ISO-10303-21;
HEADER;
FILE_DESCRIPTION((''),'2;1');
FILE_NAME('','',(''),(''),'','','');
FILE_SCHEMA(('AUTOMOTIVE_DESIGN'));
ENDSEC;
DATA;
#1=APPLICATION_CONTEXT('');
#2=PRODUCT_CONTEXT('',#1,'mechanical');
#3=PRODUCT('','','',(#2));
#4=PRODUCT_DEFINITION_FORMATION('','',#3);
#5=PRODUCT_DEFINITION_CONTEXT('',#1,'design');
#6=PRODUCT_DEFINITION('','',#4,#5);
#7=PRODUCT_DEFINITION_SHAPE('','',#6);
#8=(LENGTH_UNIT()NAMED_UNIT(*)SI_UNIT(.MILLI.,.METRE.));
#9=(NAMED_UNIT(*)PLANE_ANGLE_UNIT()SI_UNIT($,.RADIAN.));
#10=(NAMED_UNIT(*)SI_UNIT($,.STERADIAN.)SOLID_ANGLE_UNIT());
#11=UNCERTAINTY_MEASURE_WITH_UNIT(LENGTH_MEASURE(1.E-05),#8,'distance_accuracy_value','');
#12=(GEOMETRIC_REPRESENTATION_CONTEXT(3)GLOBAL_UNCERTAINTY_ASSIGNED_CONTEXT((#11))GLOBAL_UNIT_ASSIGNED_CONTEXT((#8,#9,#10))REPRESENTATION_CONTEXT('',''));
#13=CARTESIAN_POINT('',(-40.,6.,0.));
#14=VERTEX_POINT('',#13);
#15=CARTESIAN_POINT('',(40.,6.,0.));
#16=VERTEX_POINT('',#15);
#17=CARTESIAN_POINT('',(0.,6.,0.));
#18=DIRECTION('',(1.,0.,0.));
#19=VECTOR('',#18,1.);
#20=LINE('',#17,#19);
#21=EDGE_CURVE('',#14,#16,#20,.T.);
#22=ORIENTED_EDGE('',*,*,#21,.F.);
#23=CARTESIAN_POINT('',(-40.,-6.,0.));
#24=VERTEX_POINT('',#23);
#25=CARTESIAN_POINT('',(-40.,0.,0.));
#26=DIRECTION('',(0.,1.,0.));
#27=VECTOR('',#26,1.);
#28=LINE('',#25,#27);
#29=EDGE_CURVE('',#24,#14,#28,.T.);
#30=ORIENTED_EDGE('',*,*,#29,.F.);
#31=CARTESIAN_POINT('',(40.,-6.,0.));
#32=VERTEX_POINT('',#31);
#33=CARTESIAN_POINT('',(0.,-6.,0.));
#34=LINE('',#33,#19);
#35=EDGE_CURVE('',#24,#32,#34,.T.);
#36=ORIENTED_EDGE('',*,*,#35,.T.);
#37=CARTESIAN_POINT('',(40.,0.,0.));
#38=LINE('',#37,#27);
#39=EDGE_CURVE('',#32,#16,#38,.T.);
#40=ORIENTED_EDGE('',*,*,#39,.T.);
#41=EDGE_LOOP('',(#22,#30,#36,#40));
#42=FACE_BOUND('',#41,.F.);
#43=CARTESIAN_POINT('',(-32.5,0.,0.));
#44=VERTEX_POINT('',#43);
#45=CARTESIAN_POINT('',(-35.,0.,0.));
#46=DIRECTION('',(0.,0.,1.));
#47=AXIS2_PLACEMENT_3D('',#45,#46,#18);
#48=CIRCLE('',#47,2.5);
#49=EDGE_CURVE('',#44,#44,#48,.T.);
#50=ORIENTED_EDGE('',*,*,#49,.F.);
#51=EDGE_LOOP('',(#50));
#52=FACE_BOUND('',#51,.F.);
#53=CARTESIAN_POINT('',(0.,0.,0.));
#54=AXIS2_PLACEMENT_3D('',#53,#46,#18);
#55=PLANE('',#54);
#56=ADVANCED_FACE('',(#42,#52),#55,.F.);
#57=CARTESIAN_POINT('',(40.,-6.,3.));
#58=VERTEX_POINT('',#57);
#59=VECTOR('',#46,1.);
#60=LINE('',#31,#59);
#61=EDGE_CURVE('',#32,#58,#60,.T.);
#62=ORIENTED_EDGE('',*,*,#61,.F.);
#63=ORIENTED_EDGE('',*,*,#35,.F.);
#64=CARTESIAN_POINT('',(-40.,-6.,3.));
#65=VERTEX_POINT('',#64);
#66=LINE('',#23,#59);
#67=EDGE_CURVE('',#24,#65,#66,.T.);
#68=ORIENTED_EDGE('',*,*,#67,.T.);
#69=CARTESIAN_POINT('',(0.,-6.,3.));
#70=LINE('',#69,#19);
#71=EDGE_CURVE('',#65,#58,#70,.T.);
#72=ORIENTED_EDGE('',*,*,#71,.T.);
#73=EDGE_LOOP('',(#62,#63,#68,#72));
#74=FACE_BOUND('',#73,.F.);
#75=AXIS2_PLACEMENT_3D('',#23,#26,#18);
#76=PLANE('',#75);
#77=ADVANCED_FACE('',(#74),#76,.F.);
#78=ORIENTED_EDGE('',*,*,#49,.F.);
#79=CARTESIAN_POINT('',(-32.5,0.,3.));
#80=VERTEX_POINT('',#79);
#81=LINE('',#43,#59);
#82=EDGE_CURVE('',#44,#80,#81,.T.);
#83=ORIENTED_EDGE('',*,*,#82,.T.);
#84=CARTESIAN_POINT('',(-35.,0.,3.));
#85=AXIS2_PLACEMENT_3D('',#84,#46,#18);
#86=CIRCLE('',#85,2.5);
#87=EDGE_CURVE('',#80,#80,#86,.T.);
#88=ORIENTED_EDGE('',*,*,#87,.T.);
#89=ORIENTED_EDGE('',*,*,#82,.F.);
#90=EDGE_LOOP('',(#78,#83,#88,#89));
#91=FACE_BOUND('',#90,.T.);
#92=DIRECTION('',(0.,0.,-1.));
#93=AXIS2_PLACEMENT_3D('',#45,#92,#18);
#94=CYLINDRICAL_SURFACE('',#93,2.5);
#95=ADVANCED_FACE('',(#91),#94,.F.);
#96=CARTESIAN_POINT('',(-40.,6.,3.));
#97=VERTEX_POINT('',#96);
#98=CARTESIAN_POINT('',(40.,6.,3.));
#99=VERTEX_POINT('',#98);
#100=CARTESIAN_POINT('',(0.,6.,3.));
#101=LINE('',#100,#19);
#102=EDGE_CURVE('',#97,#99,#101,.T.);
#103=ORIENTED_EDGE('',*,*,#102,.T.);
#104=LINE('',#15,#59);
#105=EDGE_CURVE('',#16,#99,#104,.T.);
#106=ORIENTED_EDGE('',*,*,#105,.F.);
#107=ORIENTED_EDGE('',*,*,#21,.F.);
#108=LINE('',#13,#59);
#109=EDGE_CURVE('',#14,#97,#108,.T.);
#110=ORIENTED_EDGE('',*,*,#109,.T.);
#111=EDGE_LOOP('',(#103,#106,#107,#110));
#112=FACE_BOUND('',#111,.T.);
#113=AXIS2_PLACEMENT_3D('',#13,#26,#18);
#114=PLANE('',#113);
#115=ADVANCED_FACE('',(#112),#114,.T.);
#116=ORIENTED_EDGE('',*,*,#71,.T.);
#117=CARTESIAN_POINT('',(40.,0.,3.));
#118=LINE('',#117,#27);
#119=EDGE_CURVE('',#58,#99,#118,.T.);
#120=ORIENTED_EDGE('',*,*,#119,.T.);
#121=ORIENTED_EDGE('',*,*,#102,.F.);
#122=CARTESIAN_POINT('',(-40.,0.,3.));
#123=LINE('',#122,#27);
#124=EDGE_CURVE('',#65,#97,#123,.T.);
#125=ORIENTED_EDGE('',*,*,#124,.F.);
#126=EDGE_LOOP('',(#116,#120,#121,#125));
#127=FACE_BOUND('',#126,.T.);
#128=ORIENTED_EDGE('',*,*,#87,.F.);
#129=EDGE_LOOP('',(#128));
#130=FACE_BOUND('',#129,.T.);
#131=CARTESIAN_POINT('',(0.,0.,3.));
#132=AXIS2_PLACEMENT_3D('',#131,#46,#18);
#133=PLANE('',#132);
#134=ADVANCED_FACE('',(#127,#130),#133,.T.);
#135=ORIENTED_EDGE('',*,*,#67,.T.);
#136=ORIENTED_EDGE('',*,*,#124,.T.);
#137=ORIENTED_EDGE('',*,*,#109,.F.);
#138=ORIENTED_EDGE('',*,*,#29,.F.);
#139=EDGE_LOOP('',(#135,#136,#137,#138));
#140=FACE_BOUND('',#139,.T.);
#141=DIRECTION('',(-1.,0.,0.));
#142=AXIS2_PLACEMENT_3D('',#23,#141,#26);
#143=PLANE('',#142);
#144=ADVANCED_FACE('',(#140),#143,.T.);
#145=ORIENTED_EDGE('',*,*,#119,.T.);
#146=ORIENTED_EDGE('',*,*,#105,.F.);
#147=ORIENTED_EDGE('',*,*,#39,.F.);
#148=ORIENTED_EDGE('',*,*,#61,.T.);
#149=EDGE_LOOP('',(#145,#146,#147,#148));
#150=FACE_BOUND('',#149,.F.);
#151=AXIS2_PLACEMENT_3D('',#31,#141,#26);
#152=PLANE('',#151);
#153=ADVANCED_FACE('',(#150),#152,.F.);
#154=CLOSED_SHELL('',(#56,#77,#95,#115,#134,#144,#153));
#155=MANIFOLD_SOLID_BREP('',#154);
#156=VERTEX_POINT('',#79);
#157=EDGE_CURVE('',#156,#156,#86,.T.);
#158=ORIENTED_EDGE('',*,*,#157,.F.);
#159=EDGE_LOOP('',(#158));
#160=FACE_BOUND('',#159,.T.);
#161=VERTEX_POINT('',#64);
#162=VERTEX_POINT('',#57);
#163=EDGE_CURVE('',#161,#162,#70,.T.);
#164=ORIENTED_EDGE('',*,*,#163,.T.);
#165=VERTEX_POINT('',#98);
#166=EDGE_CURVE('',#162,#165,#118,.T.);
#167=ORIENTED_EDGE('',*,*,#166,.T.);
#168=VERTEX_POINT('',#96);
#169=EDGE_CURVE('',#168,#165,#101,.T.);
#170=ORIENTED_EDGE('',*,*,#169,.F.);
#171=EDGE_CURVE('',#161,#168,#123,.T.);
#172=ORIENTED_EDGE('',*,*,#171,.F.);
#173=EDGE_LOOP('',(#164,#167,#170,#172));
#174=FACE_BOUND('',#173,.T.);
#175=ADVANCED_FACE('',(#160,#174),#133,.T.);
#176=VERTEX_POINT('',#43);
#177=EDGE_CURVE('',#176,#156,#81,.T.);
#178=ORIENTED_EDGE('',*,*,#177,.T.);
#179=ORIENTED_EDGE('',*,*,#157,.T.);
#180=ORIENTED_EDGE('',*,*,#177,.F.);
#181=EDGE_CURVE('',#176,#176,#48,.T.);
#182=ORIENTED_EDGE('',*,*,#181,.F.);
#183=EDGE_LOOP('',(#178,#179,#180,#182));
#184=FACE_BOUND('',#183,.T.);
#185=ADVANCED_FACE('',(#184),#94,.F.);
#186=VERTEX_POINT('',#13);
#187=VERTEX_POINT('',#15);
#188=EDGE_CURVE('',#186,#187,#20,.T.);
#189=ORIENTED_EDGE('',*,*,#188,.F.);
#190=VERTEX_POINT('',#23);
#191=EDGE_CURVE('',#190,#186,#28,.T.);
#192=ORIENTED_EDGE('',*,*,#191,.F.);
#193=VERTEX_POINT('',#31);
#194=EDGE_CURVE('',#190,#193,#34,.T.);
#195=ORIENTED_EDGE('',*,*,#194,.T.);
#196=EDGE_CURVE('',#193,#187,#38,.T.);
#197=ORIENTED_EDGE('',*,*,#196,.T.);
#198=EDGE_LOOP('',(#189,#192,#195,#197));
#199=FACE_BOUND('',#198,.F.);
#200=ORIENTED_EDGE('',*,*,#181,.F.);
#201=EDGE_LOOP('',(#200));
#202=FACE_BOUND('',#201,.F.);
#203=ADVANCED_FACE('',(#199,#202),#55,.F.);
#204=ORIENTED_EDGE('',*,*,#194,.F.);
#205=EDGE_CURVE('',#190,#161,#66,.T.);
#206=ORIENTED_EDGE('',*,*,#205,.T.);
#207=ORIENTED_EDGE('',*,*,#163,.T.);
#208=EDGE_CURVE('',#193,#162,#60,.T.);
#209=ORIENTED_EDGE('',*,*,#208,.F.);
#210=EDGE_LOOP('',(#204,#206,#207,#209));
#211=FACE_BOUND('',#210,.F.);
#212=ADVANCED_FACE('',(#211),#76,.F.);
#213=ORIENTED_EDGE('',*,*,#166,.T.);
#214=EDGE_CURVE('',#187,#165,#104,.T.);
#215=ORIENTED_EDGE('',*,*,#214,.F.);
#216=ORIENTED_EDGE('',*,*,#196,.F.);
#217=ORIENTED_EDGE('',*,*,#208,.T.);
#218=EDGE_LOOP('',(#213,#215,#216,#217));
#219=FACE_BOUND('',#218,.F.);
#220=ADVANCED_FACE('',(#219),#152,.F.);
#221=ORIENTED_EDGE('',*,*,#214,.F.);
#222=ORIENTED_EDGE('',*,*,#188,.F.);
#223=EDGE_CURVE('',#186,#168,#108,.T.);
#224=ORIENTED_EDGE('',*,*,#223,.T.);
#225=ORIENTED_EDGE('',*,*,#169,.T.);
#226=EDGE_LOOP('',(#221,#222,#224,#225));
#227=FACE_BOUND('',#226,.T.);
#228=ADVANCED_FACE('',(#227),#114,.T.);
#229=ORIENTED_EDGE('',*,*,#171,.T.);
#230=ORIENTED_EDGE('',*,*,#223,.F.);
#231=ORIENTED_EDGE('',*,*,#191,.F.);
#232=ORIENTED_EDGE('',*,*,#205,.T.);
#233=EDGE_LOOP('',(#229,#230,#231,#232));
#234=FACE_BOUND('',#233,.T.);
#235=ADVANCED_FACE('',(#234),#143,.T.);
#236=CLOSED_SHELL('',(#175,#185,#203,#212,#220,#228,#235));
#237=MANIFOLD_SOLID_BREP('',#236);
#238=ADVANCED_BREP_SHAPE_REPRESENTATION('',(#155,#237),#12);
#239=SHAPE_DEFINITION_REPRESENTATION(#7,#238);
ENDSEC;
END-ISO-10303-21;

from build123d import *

# Parameters (mm, degrees)
SKETCH_W         = 80
SKETCH_H         = 12
SKETCH_R         = 2.5
EXTRUDE_DEPTH    = 3
EXTRUDE001_DEPTH = 3


with BuildPart() as extrude_body:
    # Sketch → Extrude (new body)
    with BuildSketch(Plane.XY):
        Rectangle(SKETCH_W, SKETCH_H)
        with Locations((-35, 0)):
            Circle(SKETCH_R, mode=Mode.SUBTRACT)
    extrude(amount=EXTRUDE_DEPTH)


with BuildPart() as extrude001:
    # Sketch → Extrude001 (new body)
    with BuildSketch(Plane.XY):
        Rectangle(SKETCH_W, SKETCH_H)
        with Locations((-35, 0)):
            Circle(SKETCH_R, mode=Mode.SUBTRACT)
    extrude(amount=EXTRUDE001_DEPTH)


solid = Compound([extrude_body.part, extrude001.part])
